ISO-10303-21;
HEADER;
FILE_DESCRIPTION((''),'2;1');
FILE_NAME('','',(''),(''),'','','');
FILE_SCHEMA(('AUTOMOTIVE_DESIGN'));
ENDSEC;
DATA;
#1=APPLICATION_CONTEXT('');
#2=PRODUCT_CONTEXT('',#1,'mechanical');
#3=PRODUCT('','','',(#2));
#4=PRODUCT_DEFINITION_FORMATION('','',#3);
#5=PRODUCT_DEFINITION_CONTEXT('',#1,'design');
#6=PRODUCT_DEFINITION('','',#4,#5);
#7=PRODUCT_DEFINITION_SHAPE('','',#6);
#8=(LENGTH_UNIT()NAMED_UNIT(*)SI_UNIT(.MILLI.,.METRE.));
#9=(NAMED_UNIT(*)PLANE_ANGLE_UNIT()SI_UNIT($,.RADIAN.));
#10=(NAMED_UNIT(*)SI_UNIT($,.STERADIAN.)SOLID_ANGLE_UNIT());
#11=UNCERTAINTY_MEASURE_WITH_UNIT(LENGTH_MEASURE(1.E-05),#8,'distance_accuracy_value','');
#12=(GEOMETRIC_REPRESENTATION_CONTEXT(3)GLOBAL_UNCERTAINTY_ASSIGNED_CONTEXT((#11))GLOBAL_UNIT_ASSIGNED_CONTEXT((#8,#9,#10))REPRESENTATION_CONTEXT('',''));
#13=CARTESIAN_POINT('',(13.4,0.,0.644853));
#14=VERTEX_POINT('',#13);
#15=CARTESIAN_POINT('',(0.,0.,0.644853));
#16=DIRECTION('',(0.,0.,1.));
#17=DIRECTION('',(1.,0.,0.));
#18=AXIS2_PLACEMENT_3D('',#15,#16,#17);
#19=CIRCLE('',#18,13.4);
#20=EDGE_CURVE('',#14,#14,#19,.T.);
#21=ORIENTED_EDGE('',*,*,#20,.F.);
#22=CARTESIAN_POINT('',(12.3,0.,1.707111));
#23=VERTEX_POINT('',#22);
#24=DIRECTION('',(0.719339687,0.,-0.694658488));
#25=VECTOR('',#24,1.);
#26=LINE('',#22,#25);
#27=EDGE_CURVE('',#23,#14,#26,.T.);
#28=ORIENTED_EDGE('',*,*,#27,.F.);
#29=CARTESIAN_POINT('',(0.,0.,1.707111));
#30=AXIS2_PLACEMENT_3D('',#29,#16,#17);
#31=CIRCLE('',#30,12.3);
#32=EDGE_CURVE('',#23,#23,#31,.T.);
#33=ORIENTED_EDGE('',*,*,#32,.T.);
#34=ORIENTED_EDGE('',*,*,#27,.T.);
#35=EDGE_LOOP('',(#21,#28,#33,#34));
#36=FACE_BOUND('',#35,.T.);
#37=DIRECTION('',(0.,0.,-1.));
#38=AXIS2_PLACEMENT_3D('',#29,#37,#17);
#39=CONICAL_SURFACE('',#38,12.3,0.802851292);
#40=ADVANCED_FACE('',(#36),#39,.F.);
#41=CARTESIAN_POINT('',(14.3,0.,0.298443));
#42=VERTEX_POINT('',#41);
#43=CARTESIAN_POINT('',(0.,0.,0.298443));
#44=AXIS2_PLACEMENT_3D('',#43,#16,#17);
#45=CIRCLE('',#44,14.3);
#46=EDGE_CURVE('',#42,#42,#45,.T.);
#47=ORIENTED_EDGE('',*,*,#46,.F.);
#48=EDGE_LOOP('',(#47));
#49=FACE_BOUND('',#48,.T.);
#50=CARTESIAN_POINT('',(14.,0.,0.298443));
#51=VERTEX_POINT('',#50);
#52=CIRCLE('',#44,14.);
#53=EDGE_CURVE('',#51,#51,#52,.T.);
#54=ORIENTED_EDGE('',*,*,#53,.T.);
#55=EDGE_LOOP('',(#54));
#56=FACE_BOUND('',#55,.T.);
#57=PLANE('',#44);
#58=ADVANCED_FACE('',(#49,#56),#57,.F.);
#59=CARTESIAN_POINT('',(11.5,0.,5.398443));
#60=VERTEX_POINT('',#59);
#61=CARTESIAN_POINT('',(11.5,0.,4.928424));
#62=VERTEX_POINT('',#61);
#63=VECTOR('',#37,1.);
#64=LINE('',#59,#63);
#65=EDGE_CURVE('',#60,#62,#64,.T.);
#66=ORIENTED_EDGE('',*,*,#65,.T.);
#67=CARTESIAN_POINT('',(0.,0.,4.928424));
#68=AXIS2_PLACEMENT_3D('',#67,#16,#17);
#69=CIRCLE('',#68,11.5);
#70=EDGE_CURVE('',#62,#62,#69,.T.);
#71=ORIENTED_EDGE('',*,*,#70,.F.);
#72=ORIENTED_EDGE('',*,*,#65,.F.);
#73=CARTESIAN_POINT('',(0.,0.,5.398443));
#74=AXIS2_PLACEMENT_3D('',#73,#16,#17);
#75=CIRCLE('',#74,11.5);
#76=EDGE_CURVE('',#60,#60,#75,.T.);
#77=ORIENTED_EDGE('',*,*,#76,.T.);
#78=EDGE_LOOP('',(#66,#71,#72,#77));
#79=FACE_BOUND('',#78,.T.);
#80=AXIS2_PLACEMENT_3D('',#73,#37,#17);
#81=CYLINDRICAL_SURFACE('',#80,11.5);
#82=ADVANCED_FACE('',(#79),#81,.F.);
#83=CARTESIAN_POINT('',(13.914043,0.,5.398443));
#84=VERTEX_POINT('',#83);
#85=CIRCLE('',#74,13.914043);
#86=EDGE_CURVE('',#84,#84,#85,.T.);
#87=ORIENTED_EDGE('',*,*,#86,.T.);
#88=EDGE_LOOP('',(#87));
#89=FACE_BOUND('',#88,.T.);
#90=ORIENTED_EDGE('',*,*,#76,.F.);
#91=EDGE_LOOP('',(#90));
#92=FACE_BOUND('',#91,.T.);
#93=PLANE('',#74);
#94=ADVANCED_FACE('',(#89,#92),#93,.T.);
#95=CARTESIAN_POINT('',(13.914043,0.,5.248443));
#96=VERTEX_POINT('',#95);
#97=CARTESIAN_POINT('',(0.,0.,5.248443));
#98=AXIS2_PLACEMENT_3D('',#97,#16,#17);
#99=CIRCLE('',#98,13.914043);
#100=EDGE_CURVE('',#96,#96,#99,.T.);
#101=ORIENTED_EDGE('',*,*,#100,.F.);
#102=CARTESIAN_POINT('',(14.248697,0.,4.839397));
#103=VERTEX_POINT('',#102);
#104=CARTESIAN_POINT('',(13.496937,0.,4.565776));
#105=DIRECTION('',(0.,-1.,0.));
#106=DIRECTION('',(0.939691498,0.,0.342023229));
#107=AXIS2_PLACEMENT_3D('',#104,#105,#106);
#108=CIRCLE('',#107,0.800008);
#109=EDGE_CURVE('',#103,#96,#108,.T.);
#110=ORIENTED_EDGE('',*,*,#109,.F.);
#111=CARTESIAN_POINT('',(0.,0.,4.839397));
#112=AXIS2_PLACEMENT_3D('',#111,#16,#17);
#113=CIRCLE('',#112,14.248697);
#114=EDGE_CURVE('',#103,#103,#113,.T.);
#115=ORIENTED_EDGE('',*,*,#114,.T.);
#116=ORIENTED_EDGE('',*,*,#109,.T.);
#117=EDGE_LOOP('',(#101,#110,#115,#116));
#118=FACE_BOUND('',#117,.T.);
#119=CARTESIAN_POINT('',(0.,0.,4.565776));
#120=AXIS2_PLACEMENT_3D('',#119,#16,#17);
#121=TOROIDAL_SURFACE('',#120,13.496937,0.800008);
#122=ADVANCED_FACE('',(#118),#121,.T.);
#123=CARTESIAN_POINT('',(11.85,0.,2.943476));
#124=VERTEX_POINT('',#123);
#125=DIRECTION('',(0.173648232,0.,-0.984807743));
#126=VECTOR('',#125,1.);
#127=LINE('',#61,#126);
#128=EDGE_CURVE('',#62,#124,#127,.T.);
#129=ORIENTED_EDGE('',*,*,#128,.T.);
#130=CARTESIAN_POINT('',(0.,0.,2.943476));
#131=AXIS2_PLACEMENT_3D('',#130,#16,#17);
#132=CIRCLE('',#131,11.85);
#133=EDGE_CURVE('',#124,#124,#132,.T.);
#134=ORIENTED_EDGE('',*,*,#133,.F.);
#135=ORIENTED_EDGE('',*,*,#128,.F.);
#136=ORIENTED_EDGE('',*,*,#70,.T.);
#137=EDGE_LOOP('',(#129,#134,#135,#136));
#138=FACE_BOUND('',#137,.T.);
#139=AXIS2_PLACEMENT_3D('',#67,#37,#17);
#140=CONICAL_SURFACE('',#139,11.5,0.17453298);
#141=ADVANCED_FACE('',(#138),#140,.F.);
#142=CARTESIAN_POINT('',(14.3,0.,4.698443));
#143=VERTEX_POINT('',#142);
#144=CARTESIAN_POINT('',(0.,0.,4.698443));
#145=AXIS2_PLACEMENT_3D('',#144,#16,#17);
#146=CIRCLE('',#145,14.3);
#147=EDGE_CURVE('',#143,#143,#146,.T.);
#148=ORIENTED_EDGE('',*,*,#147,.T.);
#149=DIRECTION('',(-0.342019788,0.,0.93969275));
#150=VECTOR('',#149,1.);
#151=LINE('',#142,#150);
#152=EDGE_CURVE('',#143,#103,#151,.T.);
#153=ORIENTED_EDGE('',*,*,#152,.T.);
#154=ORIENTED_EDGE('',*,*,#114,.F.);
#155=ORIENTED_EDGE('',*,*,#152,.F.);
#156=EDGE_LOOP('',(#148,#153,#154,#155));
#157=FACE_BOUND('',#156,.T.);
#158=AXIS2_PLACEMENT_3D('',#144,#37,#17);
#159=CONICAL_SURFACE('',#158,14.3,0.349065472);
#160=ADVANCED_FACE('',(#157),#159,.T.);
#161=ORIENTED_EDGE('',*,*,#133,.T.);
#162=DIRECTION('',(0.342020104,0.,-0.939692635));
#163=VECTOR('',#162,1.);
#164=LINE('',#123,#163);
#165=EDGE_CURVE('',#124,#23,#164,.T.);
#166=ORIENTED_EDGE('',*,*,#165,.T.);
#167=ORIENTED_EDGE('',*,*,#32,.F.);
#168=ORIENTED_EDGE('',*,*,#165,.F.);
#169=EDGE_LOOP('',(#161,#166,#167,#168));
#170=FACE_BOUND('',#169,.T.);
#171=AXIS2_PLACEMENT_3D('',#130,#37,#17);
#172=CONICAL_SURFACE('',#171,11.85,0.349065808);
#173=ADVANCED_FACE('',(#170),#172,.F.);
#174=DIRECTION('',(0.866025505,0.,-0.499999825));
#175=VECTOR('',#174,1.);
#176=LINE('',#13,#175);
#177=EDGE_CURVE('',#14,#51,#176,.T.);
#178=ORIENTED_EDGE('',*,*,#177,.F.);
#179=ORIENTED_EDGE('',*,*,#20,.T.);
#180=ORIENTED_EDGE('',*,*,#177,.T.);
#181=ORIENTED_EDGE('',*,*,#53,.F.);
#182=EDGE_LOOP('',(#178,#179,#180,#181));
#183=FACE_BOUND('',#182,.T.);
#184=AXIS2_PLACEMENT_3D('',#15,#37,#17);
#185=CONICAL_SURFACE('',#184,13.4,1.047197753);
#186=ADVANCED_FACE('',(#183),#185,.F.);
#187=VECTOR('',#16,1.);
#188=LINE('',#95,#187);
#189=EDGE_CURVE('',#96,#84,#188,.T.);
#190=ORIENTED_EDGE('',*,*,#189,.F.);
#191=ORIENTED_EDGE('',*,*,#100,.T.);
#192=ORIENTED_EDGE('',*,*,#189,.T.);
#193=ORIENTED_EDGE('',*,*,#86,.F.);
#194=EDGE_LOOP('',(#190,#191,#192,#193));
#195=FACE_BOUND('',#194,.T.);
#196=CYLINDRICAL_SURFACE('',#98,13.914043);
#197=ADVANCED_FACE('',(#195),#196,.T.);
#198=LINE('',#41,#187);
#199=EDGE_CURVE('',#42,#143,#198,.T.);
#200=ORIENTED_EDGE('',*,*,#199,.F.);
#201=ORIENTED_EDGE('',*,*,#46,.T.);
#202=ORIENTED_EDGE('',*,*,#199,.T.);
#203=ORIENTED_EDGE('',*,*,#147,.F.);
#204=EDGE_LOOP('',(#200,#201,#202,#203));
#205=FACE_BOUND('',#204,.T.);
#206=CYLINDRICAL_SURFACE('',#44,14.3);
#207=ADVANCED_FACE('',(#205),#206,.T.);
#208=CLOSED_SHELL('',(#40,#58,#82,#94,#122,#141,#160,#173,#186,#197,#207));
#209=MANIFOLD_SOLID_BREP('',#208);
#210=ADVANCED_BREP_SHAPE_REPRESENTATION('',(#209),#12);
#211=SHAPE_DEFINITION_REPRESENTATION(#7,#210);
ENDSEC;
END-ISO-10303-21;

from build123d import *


with BuildPart() as f1:
    # F0 (on Front) → F1 (revolve)
    with BuildSketch(Plane.XZ):
        with BuildLine():
            Line((12.3, 1.707111), (13.4, 0.644853))
            Line((13.4, 0.644853), (14, 0.298443))
            Line((14, 0.298443), (14.3, 0.298443))
            Line((14.3, 0.298443), (14.3, 4.698443))
            Line((14.3, 4.698443), (14.248697, 4.839397))
            ThreePointArc((14.248697, 4.839397), (14.116123, 5.072353), (13.914043, 5.248443))
            Line((13.914043, 5.248443), (13.914043, 5.398443))
            Line((13.914043, 5.398443), (11.5, 5.398443))
            Line((11.5, 5.398443), (11.5, 4.928424))
            Line((11.5, 4.928424), (11.85, 2.943476))
            Line((11.85, 2.943476), (12.3, 1.707111))
        make_face()
    revolve(axis=Axis((0, 0, 7.063824), (0, 0, 1)))


solid = f1.part
